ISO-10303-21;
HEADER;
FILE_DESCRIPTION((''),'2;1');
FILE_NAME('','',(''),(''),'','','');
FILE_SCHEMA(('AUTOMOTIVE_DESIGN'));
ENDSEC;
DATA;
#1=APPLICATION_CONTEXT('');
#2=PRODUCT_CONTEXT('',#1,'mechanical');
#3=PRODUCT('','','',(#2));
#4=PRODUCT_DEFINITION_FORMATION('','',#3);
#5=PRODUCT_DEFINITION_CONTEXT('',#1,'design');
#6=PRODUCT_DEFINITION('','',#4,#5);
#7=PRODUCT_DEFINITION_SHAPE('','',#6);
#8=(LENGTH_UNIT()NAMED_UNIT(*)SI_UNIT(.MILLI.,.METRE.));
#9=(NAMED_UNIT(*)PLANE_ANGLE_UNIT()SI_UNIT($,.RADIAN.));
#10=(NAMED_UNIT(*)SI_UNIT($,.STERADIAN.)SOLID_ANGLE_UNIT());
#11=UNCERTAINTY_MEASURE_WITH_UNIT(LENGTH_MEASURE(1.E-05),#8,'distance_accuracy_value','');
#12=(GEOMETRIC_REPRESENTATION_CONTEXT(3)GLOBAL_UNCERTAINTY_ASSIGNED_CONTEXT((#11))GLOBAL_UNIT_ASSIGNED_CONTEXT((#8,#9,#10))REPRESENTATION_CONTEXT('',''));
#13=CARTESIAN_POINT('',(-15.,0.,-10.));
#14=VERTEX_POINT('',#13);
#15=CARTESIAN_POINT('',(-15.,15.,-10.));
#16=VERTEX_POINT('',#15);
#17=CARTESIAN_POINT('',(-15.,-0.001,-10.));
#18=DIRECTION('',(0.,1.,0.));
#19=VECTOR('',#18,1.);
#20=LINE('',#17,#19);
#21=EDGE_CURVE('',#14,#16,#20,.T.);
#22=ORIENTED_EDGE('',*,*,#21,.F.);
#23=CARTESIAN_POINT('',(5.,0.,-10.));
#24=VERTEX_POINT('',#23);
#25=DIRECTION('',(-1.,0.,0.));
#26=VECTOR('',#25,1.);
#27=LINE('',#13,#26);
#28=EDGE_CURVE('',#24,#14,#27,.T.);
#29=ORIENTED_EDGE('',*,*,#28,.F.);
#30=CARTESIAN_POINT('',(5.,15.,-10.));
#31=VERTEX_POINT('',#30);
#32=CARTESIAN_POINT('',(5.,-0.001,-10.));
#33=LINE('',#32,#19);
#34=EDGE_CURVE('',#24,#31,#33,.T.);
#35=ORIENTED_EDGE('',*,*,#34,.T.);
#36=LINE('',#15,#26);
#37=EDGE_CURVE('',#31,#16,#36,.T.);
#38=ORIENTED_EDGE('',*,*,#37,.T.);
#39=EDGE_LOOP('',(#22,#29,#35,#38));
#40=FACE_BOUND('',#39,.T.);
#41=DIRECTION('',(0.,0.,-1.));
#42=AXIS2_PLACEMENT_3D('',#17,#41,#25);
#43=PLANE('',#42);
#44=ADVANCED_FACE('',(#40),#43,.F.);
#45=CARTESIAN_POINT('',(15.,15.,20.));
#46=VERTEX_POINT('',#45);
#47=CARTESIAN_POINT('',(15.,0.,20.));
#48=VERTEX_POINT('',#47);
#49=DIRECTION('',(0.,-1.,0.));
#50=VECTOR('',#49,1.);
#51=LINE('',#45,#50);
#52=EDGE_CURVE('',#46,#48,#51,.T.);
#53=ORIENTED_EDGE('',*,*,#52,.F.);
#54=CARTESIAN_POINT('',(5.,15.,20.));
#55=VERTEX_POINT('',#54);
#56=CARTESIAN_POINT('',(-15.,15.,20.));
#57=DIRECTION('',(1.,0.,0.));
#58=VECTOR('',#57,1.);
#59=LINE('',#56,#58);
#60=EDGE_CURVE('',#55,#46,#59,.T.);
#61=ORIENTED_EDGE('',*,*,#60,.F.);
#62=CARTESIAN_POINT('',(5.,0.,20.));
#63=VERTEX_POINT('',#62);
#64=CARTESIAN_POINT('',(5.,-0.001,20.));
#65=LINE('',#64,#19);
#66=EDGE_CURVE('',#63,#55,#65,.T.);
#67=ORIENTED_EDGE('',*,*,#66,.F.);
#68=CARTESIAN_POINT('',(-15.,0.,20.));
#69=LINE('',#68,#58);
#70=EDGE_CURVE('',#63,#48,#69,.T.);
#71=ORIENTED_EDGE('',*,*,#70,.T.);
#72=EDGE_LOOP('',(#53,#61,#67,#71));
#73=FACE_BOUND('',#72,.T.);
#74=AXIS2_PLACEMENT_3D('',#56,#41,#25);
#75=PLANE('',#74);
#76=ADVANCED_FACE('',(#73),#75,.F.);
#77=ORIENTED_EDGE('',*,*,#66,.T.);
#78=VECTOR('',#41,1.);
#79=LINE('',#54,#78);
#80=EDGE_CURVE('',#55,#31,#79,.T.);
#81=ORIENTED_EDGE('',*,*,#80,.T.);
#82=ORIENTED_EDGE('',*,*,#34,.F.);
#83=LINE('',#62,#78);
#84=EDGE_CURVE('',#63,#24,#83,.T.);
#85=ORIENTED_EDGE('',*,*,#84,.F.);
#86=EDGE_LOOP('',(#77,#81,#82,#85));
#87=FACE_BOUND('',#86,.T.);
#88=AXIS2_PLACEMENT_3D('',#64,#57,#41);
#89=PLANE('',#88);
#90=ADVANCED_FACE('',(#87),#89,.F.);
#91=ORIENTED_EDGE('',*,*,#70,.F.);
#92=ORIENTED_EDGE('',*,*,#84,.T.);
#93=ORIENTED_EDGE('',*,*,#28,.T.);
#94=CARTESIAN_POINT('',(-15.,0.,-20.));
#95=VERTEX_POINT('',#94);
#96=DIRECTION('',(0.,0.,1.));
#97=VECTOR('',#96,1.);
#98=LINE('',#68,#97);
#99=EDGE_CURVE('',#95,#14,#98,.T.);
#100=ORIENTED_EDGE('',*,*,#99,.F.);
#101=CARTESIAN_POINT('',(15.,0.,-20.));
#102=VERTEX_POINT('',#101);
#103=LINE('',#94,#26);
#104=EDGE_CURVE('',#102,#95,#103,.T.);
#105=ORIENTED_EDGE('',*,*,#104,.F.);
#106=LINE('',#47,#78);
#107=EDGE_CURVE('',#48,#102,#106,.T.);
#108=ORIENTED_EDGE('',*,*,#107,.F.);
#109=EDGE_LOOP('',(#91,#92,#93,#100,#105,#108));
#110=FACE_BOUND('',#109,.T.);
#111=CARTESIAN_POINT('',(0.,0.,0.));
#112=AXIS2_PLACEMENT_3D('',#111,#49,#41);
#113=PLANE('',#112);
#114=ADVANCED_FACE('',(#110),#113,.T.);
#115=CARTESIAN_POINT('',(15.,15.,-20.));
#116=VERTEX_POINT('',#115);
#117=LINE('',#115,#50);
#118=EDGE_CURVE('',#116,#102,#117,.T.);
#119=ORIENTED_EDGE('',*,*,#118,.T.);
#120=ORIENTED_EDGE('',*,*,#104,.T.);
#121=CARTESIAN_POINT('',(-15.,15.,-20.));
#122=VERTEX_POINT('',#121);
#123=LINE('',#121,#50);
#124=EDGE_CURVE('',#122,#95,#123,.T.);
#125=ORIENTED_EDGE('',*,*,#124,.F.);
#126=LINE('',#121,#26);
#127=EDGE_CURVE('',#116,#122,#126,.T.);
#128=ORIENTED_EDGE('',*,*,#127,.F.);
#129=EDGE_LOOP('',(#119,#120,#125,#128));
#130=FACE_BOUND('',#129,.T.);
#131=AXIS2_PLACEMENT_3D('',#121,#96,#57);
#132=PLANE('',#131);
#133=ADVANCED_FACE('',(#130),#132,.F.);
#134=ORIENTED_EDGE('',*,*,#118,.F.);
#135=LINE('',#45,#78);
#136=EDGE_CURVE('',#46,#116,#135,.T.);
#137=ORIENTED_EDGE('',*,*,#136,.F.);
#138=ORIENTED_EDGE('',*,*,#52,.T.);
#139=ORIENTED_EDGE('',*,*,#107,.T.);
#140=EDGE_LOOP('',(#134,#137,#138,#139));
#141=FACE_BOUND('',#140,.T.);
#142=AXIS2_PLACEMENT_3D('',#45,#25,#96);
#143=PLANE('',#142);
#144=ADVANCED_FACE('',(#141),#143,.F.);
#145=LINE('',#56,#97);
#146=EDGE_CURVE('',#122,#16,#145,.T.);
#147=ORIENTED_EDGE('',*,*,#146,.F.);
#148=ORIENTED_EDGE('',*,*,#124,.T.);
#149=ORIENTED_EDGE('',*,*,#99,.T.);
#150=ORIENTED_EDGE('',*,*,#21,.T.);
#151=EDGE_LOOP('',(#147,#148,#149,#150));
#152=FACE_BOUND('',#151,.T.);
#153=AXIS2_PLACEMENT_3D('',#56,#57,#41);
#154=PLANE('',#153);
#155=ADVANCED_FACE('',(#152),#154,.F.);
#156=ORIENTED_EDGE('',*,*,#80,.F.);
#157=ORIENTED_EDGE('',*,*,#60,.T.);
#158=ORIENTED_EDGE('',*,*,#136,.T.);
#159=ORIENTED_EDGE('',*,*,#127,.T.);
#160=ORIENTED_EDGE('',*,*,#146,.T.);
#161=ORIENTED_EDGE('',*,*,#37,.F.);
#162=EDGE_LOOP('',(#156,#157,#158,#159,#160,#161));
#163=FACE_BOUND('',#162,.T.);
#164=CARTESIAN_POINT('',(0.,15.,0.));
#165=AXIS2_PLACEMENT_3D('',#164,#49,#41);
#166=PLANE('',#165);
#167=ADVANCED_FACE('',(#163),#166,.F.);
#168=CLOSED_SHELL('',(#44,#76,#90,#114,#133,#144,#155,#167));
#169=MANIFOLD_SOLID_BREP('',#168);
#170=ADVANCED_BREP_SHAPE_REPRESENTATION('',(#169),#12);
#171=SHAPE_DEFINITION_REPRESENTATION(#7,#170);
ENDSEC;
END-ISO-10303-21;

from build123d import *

# Parameters (mm, degrees)
SKETCH1_W           = 30
SKETCH1_H           = 40
BOSS_EXTRUDE1_DEPTH = 15
CUT_EXTRUDE1_REACH  = 31.155
SKETCH2_W           = 20
SKETCH2_H           = 30


with BuildPart() as part:
    # Sketch1 → Boss-Extrude1 (new body)
    with BuildSketch(Plane(origin=(0, 0, 0), x_dir=(1, 0, 0), z_dir=(0, 1, 0))):
        Rectangle(SKETCH1_W, SKETCH1_H)
    extrude(amount=BOSS_EXTRUDE1_DEPTH)

    # Sketch2 → Cut-Extrude1 (cut, up to next)
    with BuildSketch(Plane(origin=(0, 15, 0), x_dir=(1, 0, 0), z_dir=(0, 1, 0)), mode=Mode.PRIVATE) as cut_extrude1_sk1:
        with Locations((-5, -5)):
            Rectangle(SKETCH2_W, SKETCH2_H)
    cut_extrude1_tool1 = extrude(cut_extrude1_sk1.sketch, amount=-CUT_EXTRUDE1_REACH, mode=Mode.PRIVATE) & part.part
    add(cut_extrude1_tool1.solids().sort_by_distance((-5, 15, 5))[0], mode=Mode.SUBTRACT)


solid = part.part
